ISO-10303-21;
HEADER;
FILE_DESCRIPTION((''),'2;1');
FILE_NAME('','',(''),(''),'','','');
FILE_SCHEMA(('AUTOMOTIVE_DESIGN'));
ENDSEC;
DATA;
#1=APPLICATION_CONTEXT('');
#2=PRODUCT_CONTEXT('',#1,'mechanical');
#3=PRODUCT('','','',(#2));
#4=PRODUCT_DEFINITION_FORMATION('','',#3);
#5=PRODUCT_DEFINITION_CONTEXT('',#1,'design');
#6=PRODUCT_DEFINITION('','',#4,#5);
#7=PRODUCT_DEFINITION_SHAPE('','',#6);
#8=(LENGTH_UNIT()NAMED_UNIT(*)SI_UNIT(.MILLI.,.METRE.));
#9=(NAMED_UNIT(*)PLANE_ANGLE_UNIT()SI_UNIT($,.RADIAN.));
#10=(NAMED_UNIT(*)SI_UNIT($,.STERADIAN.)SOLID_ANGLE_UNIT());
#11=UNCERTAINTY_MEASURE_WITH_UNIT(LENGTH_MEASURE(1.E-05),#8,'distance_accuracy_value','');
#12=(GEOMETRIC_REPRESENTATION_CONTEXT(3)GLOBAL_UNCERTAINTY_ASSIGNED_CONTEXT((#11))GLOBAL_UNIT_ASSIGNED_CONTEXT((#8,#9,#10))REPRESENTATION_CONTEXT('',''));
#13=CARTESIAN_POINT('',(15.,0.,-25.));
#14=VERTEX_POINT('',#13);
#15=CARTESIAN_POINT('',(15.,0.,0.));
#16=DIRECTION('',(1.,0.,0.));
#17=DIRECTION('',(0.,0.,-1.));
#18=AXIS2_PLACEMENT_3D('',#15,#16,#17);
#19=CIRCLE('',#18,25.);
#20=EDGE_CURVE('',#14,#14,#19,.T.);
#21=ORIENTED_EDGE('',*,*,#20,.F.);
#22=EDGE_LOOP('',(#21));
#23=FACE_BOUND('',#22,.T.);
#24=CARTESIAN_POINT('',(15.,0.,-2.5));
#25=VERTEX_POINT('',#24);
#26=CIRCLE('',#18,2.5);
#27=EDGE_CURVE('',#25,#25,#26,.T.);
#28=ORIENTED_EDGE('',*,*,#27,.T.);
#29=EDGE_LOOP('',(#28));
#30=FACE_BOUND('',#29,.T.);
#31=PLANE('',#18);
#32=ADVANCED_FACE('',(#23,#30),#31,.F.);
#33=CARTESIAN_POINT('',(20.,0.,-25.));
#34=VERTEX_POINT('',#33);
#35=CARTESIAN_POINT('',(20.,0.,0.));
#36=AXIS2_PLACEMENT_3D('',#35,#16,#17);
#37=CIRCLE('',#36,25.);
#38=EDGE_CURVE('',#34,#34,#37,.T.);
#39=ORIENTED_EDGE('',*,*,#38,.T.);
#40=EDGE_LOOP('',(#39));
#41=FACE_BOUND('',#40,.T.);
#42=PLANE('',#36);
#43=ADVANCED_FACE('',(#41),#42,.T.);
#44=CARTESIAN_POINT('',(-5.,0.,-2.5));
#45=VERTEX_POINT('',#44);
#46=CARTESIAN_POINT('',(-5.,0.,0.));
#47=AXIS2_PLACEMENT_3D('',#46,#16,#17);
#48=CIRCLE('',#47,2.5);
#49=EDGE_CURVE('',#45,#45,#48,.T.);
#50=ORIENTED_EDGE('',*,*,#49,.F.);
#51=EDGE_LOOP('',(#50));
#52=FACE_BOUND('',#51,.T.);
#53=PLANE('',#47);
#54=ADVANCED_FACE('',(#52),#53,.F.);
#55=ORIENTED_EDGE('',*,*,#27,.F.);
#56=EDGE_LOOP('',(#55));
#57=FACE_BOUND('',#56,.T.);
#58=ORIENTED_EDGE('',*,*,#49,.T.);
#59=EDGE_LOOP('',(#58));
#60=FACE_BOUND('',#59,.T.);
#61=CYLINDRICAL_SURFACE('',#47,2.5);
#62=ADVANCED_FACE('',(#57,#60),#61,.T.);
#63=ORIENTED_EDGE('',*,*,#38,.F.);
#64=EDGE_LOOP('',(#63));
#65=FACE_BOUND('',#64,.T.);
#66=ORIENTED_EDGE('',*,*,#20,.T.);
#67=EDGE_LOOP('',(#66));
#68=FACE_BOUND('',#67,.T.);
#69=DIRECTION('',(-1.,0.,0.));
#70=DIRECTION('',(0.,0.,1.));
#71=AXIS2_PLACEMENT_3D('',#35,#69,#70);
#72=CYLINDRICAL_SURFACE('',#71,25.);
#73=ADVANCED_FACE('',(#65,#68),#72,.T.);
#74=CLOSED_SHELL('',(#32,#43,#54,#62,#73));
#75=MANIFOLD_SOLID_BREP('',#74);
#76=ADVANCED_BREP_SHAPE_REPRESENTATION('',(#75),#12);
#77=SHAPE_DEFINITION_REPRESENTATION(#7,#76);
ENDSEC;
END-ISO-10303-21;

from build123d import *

# Parameters (mm, degrees)
BOSS_EXTRUDE1_DEPTH      = 15
BOSS_EXTRUDE1_DEPTH_BACK = 5
SKETCH1_R                = 2.5
SKETCH2_R                = 25
BOSS_EXTRUDE2_DEPTH      = 5


with BuildPart() as part:
    # Sketch1 → Boss-Extrude1 (new, two sides: drawn at the far end of the back side and taken through both)
    with BuildSketch(Plane(origin=(0, 0, 0), x_dir=(0, 0, -1), z_dir=(1, 0, 0)).offset(-BOSS_EXTRUDE1_DEPTH_BACK)):
        Circle(SKETCH1_R)
    extrude(amount=BOSS_EXTRUDE1_DEPTH + BOSS_EXTRUDE1_DEPTH_BACK)

    # Sketch2 → Boss-Extrude2 (add)
    with BuildSketch(Plane(origin=(15, 0, 0), x_dir=(0, 0, -1), z_dir=(1, 0, 0))):
        Circle(SKETCH2_R)
    extrude(amount=BOSS_EXTRUDE2_DEPTH)


solid = part.part
